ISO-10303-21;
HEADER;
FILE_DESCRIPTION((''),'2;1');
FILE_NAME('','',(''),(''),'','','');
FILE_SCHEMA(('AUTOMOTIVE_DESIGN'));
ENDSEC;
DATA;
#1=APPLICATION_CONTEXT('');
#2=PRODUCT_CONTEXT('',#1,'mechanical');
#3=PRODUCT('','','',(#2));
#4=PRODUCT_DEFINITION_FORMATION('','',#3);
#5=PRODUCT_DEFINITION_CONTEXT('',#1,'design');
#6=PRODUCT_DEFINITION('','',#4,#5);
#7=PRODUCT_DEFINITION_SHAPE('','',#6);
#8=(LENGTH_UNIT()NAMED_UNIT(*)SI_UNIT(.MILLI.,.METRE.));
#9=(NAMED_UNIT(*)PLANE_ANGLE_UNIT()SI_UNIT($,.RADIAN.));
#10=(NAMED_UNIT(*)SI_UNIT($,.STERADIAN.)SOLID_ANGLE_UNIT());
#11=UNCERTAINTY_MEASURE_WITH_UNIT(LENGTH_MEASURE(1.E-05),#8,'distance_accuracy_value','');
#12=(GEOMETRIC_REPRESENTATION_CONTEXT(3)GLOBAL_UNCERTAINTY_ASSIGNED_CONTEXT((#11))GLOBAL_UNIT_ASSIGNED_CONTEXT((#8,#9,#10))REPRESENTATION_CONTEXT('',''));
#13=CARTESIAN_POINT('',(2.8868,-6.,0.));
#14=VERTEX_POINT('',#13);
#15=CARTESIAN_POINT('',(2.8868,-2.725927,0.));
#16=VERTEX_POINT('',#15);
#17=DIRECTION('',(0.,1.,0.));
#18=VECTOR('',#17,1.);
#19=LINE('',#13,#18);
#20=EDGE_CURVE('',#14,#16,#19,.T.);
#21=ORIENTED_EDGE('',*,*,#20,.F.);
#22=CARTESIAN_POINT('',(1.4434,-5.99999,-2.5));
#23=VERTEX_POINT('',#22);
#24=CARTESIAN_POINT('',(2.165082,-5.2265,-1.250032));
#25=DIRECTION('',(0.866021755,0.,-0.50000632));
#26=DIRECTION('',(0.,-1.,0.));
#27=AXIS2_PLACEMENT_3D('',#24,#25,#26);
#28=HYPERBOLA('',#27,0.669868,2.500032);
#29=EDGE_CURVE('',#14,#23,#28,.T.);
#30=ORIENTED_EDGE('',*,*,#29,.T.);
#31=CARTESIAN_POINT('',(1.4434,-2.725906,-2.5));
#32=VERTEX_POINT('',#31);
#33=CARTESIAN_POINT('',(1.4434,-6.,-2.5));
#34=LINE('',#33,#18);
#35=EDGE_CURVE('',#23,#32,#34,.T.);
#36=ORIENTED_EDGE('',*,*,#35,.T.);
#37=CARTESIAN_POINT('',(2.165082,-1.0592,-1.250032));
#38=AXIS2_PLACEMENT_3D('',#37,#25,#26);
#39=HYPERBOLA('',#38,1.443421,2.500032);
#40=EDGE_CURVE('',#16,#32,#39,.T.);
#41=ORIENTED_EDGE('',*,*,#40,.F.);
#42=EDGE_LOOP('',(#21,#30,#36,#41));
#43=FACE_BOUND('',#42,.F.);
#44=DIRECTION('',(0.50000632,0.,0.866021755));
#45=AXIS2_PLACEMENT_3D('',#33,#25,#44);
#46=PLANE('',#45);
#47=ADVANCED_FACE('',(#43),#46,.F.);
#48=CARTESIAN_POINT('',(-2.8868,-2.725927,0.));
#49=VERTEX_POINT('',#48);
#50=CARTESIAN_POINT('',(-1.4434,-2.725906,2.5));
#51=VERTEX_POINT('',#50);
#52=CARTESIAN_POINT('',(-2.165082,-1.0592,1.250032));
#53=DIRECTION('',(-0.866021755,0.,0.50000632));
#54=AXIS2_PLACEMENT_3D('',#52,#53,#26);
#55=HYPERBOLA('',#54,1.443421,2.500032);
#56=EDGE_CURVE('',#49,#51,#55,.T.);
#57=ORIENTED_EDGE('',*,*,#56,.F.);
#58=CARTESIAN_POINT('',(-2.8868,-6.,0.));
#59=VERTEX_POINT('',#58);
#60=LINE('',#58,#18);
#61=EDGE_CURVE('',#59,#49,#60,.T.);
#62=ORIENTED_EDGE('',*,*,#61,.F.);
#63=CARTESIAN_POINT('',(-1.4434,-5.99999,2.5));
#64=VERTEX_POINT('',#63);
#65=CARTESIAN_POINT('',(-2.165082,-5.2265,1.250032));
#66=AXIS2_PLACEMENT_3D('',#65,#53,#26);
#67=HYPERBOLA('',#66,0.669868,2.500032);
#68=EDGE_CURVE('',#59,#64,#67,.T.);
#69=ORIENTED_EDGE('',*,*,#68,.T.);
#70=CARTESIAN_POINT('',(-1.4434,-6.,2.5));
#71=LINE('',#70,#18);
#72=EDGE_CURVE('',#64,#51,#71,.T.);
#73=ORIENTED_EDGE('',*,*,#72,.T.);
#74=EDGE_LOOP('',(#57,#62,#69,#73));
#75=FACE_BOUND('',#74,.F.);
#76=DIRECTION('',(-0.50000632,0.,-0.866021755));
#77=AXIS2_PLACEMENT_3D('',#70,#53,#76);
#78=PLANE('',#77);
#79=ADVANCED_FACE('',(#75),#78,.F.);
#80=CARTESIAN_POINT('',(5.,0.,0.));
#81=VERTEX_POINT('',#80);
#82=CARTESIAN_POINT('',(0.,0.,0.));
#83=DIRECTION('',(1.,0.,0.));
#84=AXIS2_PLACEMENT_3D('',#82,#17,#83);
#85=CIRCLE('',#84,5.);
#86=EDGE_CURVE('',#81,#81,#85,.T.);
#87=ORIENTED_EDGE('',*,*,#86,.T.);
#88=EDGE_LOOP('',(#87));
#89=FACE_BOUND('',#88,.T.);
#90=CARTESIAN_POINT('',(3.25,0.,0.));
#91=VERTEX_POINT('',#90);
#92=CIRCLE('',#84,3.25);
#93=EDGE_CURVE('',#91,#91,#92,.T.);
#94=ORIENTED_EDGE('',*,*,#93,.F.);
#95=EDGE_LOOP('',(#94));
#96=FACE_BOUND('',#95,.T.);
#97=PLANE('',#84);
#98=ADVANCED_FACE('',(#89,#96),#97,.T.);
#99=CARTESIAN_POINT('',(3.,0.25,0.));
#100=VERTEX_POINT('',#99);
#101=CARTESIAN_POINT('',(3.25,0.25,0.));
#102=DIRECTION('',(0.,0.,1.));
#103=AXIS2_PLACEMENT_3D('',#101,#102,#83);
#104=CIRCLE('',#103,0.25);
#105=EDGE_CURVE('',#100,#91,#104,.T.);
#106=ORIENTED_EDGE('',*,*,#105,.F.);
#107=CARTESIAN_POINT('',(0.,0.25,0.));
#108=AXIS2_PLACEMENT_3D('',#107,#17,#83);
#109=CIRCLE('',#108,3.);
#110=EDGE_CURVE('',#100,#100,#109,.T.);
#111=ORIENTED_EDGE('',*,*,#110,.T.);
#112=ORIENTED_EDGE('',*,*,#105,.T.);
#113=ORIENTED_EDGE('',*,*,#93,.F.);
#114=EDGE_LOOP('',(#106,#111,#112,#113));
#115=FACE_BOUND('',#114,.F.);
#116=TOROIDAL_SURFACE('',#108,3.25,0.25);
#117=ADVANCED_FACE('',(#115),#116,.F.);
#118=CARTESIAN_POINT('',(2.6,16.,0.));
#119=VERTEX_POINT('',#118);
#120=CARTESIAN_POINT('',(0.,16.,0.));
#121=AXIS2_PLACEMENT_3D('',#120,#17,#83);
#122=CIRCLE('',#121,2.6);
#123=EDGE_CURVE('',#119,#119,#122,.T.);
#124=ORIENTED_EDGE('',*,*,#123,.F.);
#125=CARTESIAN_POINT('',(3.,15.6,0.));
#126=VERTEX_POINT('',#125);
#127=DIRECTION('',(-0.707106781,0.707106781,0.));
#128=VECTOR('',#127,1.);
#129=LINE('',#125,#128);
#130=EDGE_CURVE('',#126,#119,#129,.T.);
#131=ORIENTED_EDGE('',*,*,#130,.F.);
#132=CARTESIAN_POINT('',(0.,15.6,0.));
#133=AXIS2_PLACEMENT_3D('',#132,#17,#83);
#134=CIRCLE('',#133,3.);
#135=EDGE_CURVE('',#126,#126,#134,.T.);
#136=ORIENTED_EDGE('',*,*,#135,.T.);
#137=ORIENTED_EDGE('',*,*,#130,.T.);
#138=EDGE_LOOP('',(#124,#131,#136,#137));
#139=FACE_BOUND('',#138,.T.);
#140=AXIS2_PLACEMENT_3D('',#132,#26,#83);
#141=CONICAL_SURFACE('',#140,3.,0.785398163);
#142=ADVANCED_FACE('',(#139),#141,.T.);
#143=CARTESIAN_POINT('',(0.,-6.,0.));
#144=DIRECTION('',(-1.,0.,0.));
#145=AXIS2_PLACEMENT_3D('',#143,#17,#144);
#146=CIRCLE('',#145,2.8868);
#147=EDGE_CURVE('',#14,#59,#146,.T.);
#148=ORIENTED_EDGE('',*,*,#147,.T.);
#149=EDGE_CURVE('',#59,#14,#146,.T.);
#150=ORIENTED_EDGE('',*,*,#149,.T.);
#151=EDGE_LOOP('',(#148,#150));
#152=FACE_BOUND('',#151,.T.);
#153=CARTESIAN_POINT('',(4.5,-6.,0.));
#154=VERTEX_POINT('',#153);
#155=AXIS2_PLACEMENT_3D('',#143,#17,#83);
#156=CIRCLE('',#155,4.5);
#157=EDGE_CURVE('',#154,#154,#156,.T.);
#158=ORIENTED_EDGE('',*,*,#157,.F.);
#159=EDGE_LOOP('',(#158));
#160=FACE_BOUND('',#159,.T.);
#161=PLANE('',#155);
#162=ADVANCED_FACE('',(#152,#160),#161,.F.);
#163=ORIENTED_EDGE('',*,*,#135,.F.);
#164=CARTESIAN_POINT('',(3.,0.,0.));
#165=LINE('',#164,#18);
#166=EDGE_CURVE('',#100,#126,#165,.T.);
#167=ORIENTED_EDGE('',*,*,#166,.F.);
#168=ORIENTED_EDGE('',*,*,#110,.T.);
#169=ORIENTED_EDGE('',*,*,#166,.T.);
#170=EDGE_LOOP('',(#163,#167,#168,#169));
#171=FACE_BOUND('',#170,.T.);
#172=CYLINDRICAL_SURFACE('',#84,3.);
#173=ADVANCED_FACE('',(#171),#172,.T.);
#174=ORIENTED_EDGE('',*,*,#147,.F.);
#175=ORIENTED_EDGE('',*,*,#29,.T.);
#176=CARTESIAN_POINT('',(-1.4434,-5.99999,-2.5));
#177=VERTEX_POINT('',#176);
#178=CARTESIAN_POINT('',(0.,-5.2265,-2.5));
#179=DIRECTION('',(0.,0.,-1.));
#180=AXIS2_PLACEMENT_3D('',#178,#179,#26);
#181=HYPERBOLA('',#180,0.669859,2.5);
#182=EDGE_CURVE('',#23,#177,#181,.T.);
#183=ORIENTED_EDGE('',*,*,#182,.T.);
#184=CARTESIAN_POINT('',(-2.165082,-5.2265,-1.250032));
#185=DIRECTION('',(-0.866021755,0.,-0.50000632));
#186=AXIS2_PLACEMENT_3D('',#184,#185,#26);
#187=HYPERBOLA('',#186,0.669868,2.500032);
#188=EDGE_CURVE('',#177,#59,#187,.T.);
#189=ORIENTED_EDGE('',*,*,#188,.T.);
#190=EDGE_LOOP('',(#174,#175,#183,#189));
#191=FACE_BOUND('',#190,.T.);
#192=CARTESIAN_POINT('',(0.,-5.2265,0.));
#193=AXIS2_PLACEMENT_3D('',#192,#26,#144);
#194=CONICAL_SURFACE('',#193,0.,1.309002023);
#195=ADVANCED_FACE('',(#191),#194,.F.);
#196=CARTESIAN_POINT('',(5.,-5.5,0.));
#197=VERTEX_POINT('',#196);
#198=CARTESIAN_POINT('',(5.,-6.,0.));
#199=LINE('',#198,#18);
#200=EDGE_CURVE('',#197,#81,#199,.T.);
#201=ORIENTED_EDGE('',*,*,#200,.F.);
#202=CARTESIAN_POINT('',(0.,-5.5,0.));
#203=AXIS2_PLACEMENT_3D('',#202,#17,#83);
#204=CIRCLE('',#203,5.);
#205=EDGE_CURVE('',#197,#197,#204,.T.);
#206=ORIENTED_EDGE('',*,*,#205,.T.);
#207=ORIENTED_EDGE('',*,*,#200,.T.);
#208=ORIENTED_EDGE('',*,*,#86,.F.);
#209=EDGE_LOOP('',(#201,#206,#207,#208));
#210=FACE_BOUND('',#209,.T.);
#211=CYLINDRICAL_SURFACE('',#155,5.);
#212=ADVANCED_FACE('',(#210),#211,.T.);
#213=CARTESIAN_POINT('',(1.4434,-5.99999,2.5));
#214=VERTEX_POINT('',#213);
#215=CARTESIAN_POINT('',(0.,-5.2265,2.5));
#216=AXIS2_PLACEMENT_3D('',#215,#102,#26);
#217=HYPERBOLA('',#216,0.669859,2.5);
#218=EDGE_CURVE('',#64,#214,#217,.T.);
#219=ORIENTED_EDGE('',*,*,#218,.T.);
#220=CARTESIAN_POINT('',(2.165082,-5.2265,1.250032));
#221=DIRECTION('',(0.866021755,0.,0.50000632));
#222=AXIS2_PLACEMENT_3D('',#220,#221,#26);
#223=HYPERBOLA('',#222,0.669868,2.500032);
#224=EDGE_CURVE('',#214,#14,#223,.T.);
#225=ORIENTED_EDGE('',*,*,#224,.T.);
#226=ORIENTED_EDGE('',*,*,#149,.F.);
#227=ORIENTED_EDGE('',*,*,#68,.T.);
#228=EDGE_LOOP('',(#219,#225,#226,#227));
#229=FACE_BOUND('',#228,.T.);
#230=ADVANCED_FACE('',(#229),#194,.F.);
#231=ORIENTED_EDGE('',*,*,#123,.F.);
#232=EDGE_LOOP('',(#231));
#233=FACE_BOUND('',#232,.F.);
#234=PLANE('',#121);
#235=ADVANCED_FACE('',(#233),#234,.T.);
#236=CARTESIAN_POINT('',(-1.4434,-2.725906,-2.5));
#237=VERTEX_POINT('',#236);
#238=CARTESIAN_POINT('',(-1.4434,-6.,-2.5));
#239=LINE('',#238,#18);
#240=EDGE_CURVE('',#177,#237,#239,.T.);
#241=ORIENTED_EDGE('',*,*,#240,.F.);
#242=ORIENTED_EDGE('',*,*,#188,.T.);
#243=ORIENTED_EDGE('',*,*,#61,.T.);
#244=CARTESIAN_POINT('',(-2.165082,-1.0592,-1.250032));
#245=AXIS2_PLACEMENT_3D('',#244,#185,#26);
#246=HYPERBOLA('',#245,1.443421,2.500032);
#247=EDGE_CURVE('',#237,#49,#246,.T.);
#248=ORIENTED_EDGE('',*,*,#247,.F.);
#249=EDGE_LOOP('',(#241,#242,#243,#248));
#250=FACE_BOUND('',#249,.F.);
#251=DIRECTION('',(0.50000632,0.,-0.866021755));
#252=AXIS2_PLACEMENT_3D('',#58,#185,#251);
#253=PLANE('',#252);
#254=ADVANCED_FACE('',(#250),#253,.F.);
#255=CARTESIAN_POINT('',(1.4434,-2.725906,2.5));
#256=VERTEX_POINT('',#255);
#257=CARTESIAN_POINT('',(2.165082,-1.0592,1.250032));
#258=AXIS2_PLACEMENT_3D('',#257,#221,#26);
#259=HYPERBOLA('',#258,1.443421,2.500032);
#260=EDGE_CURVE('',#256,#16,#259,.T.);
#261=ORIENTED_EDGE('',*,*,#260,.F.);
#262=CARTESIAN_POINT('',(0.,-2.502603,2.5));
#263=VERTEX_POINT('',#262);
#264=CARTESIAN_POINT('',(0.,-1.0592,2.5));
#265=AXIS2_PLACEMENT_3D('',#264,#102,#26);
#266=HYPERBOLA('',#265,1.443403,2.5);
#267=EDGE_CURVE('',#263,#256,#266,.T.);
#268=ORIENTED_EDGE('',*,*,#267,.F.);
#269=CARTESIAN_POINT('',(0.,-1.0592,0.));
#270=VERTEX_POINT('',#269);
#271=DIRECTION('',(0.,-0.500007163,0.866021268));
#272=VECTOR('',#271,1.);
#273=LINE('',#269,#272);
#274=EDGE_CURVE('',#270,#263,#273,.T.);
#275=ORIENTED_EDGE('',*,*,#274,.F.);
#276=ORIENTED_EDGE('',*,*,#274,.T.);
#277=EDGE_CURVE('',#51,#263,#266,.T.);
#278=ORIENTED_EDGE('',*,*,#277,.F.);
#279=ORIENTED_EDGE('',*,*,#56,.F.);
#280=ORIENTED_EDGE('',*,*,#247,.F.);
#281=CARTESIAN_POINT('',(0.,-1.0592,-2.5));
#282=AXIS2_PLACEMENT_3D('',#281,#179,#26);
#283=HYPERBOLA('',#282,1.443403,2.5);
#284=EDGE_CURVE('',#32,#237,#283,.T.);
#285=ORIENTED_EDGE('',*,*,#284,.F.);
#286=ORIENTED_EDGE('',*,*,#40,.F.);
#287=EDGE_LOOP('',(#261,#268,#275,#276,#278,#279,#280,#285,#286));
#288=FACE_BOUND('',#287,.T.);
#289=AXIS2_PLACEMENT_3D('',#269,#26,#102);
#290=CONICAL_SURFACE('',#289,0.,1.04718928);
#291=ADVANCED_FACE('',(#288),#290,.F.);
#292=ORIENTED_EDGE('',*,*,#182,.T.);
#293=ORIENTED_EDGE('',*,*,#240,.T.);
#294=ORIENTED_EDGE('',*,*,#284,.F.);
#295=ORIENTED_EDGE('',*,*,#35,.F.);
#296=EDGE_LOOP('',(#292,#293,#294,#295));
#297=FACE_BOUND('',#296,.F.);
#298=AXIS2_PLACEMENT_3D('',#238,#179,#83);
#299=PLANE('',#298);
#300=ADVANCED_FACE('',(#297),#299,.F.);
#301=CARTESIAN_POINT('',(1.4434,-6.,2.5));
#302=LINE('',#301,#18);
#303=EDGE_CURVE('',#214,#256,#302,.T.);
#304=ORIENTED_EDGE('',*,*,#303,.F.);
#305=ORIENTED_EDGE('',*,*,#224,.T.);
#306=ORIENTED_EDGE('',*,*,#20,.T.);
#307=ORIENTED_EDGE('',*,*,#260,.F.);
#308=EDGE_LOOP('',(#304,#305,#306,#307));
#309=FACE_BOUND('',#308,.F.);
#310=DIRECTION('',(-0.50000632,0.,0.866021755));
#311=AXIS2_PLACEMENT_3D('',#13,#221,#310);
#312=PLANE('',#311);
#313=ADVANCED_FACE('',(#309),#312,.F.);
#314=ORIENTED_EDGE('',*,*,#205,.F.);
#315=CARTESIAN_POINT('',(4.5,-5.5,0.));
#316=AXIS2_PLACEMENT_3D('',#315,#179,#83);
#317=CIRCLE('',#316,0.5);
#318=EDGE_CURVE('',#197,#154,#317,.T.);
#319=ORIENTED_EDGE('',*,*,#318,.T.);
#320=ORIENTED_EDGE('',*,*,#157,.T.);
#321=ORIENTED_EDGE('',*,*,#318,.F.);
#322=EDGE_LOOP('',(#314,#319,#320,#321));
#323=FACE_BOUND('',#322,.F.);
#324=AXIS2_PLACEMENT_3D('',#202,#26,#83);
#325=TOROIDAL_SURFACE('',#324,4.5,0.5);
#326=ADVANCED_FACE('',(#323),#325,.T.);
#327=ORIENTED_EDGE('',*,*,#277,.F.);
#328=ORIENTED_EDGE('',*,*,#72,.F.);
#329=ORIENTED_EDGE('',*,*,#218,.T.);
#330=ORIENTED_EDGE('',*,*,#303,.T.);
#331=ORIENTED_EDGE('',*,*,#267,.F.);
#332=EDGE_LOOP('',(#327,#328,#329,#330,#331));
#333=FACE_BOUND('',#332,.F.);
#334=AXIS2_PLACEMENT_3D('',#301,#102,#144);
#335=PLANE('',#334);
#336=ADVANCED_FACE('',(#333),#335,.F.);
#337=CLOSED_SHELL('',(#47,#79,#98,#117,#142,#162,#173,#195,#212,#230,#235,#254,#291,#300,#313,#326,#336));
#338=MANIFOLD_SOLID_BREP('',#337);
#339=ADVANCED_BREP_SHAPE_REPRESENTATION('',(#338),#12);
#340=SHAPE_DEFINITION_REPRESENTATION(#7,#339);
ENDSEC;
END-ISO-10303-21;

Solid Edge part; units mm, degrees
sketch "Sketch1" plane through (0, 0, 0) normal (0, 0, 1) x (1, 0, 0)
  line L0 (3, 0) -> (3, 16)
  line L1 (0, 16) -> (3, 16)
  line L2 (0, 0) -> (0, 16)
  line L3 (0, 0) -> (0, -6)
  line L4 (0, -6) -> (5, -6)
  line L5 (5, -6) -> (5, 0)
  line L6 (5, 0) -> (3, 0)
revolve "RevolvedProtrusion1" add sketch "Sketch1" angle 360 about axis through (0, 0, 0) along (0, 1, 0)
sketch "Sketch2" plane through (0, 0, 0) normal (1, 0, 0) x (0, 1, 0)
  line L0 (-6, 3.3615) -> (-3, 3.3615)
  line L1 (-1.0592, 0) -> (-3, 3.3615)
  line L2 (-6, 0) -> (-1.0592, 0)
  line L3 (-6, 0) -> (-6, 3.3615)
revolve "RevolvedCutout1" cut sketch "Sketch2" angle 360 about axis through (0, -4.5, 0) along (0, 1, 0)
sketch "Sketch3" plane through (0, -6, 0) normal (0, -1, 0) x (0, 0, 1)
  circle A0 centre (0, 0) radius 3.3615
  line L0 (-2.5, -1.4434) -> (0, -2.8868)
  line L1 (0, -2.8868) -> (2.5, -1.4434)
  line L2 (2.5, -1.4434) -> (2.5, 1.4434)
  line L3 (2.5, 1.4434) -> (0, 2.8868)
  line L4 (0, 2.8868) -> (-2.5, 1.4434)
  line L5 (-2.5, 1.4434) -> (-2.5, -1.4434)
  dimension "D1" = 5
extrude "Protrusion1" add sketch "Sketch3" against normal up to next
sketch "Sketch4" plane through (0, 0, 0) normal (0, 0, 1) x (1, 0, 0)
  line L0 (-2.8868, -6) -> (0, -6)
  line L1 (0, -6) -> (0, -5.2265)
  line L2 (0, -5.2265) -> (-2.8868, -6)
revolve "RevolvedCutout2" cut sketch "Sketch4" angle 360 about axis through (0, -4.5, 0) along (0, 1, 0)
fillet "Round1" radius 0.25 1 edges at (0, 0, -3)
fillet "Round2" radius 0.5 1 edges at (0, -6, -5)
chamfer "倒斜角_2" distance 0.4 angle 45 1 edges at (0, 16, -3)
cosmetic_thread "螺纹_3" size "M6" thread depth 12.8
